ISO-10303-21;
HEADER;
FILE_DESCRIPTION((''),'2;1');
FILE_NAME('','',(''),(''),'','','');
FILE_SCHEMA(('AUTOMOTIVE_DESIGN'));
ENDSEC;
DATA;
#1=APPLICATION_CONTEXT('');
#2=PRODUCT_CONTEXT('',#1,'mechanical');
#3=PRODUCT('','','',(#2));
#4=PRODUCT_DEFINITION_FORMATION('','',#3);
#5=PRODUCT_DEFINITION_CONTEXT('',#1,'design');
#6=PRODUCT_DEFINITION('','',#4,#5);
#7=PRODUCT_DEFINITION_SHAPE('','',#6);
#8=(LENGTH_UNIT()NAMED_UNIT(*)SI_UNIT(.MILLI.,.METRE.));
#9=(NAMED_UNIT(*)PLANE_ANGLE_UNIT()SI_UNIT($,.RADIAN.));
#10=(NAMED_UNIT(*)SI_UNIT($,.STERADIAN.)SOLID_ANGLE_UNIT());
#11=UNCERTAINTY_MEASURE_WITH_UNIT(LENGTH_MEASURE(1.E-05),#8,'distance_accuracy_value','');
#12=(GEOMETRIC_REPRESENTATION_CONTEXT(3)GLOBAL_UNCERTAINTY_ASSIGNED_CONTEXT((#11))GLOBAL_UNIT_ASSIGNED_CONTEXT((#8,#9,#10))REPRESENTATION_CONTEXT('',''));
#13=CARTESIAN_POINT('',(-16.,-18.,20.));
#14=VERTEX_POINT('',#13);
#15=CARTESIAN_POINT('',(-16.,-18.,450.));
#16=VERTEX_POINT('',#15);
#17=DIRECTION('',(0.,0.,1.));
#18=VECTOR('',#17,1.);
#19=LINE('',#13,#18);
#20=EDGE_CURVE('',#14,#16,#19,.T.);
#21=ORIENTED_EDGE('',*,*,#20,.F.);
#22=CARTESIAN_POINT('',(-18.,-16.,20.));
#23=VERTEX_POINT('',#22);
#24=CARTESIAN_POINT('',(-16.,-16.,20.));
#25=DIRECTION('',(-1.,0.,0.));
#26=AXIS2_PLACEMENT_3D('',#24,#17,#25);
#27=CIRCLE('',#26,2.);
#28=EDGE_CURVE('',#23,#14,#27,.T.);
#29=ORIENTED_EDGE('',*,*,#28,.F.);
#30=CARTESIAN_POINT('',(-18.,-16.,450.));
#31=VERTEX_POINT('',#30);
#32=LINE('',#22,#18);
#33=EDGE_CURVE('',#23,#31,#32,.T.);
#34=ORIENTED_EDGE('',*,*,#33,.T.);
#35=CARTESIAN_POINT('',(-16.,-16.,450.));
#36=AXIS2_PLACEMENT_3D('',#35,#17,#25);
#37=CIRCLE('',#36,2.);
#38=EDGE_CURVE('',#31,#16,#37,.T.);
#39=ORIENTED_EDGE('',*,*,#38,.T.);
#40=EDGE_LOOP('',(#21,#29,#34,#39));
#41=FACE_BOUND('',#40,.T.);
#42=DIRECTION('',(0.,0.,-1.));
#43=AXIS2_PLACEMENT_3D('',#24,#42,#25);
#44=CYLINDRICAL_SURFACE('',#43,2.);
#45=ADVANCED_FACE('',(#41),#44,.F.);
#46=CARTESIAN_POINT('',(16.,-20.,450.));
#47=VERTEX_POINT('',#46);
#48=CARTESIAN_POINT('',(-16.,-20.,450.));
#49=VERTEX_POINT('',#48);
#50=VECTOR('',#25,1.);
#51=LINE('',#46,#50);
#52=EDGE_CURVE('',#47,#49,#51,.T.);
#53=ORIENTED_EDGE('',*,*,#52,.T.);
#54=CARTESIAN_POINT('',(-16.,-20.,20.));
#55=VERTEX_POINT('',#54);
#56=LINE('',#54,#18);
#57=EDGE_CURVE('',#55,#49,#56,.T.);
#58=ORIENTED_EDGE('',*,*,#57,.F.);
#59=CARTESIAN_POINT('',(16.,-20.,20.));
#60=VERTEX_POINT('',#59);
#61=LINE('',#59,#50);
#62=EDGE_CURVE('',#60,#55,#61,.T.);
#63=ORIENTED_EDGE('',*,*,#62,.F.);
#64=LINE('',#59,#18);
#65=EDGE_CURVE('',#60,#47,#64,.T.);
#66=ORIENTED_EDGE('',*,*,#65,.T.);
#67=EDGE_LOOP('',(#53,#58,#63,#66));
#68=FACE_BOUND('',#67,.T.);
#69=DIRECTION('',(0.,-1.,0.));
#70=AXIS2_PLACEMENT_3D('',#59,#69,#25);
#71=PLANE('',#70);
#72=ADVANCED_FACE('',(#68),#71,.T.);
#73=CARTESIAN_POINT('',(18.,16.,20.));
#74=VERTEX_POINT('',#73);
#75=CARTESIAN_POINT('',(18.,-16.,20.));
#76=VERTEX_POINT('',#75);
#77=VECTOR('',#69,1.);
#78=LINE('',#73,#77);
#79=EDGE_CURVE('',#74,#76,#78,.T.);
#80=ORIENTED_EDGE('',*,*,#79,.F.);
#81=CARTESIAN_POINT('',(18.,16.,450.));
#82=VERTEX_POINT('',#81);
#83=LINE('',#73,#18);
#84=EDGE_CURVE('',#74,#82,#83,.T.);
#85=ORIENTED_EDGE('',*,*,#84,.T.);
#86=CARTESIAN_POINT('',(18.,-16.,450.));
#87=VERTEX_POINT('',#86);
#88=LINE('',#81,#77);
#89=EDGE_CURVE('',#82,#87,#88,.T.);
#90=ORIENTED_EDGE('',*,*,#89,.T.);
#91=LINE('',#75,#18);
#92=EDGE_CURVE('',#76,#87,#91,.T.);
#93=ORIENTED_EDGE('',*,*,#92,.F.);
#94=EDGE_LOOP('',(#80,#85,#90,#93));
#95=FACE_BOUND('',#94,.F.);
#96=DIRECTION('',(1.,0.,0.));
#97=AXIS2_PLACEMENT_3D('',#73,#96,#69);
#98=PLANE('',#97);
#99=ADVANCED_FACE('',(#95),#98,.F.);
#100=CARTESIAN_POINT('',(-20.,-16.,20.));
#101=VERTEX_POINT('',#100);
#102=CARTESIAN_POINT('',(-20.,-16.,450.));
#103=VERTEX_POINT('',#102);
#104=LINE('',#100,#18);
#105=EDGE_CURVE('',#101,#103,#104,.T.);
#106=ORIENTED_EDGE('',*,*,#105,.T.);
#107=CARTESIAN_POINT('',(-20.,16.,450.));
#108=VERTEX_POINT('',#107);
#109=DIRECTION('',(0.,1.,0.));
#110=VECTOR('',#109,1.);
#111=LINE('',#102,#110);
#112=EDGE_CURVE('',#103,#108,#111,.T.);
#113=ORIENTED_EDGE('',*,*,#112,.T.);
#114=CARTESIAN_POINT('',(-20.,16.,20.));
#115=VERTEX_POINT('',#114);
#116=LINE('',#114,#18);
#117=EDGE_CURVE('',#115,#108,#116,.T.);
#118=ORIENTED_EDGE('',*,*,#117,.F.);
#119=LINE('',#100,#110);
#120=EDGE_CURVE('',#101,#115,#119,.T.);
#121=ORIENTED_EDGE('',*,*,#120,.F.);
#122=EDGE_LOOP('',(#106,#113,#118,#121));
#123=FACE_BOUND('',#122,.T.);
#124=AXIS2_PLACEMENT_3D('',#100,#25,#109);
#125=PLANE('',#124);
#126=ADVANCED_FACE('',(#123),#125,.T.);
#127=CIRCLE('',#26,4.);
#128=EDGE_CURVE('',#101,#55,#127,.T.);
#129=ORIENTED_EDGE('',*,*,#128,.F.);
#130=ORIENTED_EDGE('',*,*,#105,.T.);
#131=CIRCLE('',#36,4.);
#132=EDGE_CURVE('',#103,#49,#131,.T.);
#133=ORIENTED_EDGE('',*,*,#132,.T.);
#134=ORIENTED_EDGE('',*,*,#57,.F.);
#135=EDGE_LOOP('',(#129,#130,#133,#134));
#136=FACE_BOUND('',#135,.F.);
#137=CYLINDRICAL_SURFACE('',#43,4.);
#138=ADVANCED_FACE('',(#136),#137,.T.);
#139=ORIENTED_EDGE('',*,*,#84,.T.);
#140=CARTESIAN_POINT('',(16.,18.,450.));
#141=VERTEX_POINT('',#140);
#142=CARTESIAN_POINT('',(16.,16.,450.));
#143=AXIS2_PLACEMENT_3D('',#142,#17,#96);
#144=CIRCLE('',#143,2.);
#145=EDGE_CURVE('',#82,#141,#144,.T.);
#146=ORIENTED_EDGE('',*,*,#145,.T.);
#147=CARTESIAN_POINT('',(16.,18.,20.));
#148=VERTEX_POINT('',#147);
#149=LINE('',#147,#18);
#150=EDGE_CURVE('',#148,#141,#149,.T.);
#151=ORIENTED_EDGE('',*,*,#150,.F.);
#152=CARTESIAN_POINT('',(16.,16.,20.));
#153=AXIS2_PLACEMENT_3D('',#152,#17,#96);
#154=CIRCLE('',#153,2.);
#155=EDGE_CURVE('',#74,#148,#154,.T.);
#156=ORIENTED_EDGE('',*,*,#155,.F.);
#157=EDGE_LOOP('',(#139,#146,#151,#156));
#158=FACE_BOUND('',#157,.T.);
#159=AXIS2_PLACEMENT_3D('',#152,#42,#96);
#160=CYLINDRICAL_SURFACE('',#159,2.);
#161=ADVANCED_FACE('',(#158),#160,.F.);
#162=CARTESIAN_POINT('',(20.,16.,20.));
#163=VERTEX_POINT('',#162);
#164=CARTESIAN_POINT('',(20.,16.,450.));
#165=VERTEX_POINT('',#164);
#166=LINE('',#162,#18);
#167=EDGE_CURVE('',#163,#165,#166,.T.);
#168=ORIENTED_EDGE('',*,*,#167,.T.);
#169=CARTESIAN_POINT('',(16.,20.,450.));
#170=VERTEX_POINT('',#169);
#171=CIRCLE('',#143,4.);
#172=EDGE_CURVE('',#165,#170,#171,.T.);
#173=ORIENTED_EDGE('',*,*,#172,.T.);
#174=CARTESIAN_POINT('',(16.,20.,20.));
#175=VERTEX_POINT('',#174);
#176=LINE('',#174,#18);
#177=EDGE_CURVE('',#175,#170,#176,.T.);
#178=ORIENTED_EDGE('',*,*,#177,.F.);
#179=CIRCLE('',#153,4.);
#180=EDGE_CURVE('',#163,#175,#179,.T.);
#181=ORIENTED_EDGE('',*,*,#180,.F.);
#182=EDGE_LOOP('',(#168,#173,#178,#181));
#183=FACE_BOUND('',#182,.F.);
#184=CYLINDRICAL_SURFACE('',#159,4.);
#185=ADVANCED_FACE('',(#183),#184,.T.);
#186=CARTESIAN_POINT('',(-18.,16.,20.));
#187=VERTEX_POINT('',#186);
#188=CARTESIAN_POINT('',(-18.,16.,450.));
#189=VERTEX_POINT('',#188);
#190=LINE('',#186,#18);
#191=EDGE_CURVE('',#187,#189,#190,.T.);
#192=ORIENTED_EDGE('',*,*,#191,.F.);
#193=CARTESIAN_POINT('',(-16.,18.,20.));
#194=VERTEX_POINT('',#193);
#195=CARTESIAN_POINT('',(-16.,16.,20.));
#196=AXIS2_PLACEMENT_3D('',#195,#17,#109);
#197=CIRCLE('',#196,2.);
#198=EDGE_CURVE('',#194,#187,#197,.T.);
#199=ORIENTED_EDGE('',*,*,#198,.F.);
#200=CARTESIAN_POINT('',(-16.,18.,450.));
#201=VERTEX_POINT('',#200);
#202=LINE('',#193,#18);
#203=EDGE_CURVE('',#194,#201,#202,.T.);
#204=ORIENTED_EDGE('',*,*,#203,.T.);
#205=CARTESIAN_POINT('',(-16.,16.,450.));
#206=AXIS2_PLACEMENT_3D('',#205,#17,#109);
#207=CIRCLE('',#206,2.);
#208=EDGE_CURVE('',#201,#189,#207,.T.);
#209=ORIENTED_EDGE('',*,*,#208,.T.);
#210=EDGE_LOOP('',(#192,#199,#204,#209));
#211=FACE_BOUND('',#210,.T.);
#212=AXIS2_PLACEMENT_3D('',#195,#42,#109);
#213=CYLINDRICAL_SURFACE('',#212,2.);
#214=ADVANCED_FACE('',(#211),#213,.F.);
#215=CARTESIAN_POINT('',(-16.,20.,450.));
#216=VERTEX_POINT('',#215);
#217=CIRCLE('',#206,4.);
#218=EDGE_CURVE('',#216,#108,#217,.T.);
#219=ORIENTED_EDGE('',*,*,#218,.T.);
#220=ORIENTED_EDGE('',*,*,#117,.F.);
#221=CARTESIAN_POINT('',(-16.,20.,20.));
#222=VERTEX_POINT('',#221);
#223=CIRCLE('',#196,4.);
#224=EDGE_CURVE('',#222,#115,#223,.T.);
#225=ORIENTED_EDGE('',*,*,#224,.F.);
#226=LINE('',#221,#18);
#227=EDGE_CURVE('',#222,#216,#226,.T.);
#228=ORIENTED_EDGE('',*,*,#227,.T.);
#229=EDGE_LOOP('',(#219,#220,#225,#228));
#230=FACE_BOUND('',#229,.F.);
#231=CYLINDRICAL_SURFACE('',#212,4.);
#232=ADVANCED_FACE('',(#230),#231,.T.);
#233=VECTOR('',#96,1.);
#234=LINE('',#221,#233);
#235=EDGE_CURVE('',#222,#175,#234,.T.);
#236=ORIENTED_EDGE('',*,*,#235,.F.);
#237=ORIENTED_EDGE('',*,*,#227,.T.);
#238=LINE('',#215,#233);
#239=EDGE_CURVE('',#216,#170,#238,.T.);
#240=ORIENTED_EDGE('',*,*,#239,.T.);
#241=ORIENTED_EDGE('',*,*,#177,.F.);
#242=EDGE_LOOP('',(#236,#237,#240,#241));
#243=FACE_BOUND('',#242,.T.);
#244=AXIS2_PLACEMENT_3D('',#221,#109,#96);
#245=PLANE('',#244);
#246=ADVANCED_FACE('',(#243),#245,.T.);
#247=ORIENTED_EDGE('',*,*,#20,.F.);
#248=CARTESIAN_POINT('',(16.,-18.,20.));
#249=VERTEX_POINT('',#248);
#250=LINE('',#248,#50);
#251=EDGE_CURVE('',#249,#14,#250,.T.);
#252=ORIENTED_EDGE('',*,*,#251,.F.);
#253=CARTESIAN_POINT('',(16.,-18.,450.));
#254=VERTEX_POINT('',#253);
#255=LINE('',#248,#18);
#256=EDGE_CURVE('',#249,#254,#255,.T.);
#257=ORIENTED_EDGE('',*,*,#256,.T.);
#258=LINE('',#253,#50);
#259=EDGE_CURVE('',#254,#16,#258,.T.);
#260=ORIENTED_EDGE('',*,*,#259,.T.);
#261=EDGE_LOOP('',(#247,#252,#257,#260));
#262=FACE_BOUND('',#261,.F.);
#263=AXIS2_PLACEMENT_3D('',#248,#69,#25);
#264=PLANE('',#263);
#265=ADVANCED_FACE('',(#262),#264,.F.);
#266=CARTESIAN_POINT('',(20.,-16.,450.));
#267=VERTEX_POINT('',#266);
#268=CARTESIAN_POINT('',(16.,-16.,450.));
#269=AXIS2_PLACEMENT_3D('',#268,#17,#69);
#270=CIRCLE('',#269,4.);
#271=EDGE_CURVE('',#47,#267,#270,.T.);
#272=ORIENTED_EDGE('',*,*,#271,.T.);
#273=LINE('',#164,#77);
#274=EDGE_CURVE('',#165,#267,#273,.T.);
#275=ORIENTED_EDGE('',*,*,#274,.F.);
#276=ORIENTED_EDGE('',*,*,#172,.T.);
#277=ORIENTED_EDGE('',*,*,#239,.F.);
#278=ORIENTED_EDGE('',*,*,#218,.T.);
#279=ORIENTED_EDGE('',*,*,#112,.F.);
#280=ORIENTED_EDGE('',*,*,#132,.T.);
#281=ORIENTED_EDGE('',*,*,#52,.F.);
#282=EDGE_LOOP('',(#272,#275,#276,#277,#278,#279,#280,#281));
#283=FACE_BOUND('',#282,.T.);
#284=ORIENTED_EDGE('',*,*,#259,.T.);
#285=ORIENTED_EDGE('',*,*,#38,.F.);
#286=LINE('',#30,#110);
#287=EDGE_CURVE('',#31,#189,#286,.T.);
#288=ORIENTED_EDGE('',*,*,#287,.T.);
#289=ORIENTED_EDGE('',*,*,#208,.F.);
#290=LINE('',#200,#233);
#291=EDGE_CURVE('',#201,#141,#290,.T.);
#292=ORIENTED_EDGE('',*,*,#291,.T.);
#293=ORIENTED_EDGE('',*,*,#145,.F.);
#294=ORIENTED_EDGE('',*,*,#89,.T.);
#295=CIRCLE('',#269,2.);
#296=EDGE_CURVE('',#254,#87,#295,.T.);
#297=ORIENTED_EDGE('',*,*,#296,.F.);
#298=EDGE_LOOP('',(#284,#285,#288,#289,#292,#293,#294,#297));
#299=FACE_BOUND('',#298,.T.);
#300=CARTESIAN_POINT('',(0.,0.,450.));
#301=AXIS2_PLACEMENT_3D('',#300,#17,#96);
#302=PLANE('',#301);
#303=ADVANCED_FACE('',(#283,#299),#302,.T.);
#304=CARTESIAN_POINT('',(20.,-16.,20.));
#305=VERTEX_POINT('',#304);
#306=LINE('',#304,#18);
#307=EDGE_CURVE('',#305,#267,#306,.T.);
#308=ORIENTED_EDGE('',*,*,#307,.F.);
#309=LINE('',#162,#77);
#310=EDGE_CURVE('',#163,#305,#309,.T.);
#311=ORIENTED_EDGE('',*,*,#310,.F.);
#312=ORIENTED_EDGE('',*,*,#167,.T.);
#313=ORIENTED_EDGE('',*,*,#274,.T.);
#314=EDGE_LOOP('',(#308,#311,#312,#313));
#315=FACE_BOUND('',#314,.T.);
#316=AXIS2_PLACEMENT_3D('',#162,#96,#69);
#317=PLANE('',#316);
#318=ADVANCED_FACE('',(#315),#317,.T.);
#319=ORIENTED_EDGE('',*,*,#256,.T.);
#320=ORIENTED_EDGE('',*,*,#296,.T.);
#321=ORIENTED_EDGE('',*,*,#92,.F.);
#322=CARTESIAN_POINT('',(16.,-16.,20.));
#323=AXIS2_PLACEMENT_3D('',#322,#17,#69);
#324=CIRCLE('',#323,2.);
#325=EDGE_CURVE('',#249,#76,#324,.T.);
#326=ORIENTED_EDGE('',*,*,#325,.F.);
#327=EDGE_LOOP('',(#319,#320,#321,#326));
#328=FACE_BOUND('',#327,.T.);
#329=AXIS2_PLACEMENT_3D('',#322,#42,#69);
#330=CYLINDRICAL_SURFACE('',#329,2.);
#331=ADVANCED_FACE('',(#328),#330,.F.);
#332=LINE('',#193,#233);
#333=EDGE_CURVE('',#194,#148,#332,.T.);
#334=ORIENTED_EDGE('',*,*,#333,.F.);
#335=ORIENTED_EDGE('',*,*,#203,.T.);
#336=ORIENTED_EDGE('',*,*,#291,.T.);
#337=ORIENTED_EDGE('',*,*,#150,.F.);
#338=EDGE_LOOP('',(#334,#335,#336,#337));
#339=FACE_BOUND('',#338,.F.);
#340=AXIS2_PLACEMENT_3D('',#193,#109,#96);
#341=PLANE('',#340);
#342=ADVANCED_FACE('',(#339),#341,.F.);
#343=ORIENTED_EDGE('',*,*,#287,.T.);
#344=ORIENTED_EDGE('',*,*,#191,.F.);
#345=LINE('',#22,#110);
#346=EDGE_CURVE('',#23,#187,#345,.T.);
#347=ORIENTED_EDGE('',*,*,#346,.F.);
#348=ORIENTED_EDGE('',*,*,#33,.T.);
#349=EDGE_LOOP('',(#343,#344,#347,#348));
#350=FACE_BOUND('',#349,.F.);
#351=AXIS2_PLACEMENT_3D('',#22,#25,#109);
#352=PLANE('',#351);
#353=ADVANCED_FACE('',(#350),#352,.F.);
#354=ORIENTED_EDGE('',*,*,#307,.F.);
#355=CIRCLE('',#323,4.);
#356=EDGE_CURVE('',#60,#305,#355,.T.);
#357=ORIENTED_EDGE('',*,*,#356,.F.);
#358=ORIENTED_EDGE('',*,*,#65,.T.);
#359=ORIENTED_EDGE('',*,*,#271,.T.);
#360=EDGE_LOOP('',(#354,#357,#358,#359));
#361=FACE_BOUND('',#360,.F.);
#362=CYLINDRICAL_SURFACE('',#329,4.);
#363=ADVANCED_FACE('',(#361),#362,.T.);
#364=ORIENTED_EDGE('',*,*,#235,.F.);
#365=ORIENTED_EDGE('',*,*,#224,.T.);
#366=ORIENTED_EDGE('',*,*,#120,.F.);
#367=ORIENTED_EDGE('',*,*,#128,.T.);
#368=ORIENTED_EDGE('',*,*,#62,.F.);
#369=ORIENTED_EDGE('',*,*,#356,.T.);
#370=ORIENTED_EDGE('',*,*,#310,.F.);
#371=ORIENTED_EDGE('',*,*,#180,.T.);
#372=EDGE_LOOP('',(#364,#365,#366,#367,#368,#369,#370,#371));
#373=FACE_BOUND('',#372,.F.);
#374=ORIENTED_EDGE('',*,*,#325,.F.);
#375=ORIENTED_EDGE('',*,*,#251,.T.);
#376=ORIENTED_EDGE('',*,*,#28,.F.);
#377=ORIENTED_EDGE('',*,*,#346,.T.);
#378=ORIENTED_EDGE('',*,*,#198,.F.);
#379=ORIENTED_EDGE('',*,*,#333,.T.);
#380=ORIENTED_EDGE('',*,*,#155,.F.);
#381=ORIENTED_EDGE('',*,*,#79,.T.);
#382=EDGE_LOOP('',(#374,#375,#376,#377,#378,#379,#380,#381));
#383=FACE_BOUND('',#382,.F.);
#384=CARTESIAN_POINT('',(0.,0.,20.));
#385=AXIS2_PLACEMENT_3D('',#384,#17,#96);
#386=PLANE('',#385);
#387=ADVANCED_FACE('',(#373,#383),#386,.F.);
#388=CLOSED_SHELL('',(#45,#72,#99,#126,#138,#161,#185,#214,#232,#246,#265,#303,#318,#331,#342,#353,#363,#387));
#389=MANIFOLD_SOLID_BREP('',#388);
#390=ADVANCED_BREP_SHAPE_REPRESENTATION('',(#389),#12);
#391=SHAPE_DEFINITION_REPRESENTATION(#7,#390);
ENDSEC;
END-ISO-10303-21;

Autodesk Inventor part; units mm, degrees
ref_plane "YZ Plane" through (0, 0, 0) normal (1, 0, 0) x (0, 1, 0)
ref_plane "Start Plane" through (0, 0, 20) normal (0, 0, 1) x (1, 0, 0)
ref_plane "End Plane" through (0, 0, 450) normal (0, 0, 1) x (1, 0, 0)
sketch "Sketch" plane through (0, 0, 0) normal (0, 0, 1) x (1, 0, 0)
  line L0 (-20, -16) -> (-20, 16)
  line L1 (-16, 20) -> (16, 20)
  line L2 (20, 16) -> (20, -16)
  line L3 (16, -20) -> (-16, -20)
  arc A0 (-20, -16) -> (-16, -20) centre (-16, -16) ccw
  arc A1 (20, 16) -> (16, 20) centre (16, 16) ccw
  arc A2 (-16, 20) -> (-20, 16) centre (-16, 16) ccw
  arc A3 (16, -20) -> (20, -16) centre (16, -16) ccw
  arc A4 (-16, 18) -> (-18, 16) centre (-16, 16) ccw
  line L4 (-16, 18) -> (16, 18)
  arc A5 (18, 16) -> (16, 18) centre (16, 16) ccw
  line L5 (18, 16) -> (18, -16)
  arc A6 (16, -18) -> (18, -16) centre (16, -16) ccw
  line L6 (16, -18) -> (-16, -18)
  arc A7 (-18, -16) -> (-16, -18) centre (-16, -16) ccw
  line L7 (-18, -16) -> (-18, 16)
  line L8 (0, 29.1598) -> (0, -29.1598) construction
  line L9 (-29.1598, 0) -> (29.1598, 0) construction
  dimension "d7" = 4
  dimension "d9" = 40
  dimension "d11" = 40
  dimension "d12" = 2
  dimension "d15" = 20
  dimension "d16" = 20
extrude "Body" add sketch "Sketch" along normal up to surface (430 mm away) from surface at 20
sketch "Sketch3" plane through (0, 0, 0) normal (0, 0, 1) x (1, 0, 0)
  line L0 (0, 0) -> (10, 0)
ref_plane "Work Plane3" through (0, 0, 0) normal (0, -1, 0) x (1, 0, 0)
sketch "Sketch4" plane through (0, 0, 0) normal (0, -1, 0) x (1, 0, 0)
  line L0 (-2, 20) -> (12, 20) projected
  line L1 (-2, 450) -> (12, 450) projected
  dimension "d18" = 430
equation "\"d7\" = G_IR"
equation "\"d9\" = G_W"
equation "\"d11\" = G_H"
equation "\"d12\" = G_T"
equation "\"d15\" = 0.5 * d9"
equation "\"d16\" = 0.5 * d11"
equation "\"d3\" = G_L"
equation "\"G_W\" = 40"
equation "\"G_H\" = 40"
equation "\"G_T\" = 2"
equation "\"G_IR\" = 4"
equation "\"G_L\" = d18"
properties part number "ISO 10799-2 - 40x40x2 - 430" material "Steel, Mild"
